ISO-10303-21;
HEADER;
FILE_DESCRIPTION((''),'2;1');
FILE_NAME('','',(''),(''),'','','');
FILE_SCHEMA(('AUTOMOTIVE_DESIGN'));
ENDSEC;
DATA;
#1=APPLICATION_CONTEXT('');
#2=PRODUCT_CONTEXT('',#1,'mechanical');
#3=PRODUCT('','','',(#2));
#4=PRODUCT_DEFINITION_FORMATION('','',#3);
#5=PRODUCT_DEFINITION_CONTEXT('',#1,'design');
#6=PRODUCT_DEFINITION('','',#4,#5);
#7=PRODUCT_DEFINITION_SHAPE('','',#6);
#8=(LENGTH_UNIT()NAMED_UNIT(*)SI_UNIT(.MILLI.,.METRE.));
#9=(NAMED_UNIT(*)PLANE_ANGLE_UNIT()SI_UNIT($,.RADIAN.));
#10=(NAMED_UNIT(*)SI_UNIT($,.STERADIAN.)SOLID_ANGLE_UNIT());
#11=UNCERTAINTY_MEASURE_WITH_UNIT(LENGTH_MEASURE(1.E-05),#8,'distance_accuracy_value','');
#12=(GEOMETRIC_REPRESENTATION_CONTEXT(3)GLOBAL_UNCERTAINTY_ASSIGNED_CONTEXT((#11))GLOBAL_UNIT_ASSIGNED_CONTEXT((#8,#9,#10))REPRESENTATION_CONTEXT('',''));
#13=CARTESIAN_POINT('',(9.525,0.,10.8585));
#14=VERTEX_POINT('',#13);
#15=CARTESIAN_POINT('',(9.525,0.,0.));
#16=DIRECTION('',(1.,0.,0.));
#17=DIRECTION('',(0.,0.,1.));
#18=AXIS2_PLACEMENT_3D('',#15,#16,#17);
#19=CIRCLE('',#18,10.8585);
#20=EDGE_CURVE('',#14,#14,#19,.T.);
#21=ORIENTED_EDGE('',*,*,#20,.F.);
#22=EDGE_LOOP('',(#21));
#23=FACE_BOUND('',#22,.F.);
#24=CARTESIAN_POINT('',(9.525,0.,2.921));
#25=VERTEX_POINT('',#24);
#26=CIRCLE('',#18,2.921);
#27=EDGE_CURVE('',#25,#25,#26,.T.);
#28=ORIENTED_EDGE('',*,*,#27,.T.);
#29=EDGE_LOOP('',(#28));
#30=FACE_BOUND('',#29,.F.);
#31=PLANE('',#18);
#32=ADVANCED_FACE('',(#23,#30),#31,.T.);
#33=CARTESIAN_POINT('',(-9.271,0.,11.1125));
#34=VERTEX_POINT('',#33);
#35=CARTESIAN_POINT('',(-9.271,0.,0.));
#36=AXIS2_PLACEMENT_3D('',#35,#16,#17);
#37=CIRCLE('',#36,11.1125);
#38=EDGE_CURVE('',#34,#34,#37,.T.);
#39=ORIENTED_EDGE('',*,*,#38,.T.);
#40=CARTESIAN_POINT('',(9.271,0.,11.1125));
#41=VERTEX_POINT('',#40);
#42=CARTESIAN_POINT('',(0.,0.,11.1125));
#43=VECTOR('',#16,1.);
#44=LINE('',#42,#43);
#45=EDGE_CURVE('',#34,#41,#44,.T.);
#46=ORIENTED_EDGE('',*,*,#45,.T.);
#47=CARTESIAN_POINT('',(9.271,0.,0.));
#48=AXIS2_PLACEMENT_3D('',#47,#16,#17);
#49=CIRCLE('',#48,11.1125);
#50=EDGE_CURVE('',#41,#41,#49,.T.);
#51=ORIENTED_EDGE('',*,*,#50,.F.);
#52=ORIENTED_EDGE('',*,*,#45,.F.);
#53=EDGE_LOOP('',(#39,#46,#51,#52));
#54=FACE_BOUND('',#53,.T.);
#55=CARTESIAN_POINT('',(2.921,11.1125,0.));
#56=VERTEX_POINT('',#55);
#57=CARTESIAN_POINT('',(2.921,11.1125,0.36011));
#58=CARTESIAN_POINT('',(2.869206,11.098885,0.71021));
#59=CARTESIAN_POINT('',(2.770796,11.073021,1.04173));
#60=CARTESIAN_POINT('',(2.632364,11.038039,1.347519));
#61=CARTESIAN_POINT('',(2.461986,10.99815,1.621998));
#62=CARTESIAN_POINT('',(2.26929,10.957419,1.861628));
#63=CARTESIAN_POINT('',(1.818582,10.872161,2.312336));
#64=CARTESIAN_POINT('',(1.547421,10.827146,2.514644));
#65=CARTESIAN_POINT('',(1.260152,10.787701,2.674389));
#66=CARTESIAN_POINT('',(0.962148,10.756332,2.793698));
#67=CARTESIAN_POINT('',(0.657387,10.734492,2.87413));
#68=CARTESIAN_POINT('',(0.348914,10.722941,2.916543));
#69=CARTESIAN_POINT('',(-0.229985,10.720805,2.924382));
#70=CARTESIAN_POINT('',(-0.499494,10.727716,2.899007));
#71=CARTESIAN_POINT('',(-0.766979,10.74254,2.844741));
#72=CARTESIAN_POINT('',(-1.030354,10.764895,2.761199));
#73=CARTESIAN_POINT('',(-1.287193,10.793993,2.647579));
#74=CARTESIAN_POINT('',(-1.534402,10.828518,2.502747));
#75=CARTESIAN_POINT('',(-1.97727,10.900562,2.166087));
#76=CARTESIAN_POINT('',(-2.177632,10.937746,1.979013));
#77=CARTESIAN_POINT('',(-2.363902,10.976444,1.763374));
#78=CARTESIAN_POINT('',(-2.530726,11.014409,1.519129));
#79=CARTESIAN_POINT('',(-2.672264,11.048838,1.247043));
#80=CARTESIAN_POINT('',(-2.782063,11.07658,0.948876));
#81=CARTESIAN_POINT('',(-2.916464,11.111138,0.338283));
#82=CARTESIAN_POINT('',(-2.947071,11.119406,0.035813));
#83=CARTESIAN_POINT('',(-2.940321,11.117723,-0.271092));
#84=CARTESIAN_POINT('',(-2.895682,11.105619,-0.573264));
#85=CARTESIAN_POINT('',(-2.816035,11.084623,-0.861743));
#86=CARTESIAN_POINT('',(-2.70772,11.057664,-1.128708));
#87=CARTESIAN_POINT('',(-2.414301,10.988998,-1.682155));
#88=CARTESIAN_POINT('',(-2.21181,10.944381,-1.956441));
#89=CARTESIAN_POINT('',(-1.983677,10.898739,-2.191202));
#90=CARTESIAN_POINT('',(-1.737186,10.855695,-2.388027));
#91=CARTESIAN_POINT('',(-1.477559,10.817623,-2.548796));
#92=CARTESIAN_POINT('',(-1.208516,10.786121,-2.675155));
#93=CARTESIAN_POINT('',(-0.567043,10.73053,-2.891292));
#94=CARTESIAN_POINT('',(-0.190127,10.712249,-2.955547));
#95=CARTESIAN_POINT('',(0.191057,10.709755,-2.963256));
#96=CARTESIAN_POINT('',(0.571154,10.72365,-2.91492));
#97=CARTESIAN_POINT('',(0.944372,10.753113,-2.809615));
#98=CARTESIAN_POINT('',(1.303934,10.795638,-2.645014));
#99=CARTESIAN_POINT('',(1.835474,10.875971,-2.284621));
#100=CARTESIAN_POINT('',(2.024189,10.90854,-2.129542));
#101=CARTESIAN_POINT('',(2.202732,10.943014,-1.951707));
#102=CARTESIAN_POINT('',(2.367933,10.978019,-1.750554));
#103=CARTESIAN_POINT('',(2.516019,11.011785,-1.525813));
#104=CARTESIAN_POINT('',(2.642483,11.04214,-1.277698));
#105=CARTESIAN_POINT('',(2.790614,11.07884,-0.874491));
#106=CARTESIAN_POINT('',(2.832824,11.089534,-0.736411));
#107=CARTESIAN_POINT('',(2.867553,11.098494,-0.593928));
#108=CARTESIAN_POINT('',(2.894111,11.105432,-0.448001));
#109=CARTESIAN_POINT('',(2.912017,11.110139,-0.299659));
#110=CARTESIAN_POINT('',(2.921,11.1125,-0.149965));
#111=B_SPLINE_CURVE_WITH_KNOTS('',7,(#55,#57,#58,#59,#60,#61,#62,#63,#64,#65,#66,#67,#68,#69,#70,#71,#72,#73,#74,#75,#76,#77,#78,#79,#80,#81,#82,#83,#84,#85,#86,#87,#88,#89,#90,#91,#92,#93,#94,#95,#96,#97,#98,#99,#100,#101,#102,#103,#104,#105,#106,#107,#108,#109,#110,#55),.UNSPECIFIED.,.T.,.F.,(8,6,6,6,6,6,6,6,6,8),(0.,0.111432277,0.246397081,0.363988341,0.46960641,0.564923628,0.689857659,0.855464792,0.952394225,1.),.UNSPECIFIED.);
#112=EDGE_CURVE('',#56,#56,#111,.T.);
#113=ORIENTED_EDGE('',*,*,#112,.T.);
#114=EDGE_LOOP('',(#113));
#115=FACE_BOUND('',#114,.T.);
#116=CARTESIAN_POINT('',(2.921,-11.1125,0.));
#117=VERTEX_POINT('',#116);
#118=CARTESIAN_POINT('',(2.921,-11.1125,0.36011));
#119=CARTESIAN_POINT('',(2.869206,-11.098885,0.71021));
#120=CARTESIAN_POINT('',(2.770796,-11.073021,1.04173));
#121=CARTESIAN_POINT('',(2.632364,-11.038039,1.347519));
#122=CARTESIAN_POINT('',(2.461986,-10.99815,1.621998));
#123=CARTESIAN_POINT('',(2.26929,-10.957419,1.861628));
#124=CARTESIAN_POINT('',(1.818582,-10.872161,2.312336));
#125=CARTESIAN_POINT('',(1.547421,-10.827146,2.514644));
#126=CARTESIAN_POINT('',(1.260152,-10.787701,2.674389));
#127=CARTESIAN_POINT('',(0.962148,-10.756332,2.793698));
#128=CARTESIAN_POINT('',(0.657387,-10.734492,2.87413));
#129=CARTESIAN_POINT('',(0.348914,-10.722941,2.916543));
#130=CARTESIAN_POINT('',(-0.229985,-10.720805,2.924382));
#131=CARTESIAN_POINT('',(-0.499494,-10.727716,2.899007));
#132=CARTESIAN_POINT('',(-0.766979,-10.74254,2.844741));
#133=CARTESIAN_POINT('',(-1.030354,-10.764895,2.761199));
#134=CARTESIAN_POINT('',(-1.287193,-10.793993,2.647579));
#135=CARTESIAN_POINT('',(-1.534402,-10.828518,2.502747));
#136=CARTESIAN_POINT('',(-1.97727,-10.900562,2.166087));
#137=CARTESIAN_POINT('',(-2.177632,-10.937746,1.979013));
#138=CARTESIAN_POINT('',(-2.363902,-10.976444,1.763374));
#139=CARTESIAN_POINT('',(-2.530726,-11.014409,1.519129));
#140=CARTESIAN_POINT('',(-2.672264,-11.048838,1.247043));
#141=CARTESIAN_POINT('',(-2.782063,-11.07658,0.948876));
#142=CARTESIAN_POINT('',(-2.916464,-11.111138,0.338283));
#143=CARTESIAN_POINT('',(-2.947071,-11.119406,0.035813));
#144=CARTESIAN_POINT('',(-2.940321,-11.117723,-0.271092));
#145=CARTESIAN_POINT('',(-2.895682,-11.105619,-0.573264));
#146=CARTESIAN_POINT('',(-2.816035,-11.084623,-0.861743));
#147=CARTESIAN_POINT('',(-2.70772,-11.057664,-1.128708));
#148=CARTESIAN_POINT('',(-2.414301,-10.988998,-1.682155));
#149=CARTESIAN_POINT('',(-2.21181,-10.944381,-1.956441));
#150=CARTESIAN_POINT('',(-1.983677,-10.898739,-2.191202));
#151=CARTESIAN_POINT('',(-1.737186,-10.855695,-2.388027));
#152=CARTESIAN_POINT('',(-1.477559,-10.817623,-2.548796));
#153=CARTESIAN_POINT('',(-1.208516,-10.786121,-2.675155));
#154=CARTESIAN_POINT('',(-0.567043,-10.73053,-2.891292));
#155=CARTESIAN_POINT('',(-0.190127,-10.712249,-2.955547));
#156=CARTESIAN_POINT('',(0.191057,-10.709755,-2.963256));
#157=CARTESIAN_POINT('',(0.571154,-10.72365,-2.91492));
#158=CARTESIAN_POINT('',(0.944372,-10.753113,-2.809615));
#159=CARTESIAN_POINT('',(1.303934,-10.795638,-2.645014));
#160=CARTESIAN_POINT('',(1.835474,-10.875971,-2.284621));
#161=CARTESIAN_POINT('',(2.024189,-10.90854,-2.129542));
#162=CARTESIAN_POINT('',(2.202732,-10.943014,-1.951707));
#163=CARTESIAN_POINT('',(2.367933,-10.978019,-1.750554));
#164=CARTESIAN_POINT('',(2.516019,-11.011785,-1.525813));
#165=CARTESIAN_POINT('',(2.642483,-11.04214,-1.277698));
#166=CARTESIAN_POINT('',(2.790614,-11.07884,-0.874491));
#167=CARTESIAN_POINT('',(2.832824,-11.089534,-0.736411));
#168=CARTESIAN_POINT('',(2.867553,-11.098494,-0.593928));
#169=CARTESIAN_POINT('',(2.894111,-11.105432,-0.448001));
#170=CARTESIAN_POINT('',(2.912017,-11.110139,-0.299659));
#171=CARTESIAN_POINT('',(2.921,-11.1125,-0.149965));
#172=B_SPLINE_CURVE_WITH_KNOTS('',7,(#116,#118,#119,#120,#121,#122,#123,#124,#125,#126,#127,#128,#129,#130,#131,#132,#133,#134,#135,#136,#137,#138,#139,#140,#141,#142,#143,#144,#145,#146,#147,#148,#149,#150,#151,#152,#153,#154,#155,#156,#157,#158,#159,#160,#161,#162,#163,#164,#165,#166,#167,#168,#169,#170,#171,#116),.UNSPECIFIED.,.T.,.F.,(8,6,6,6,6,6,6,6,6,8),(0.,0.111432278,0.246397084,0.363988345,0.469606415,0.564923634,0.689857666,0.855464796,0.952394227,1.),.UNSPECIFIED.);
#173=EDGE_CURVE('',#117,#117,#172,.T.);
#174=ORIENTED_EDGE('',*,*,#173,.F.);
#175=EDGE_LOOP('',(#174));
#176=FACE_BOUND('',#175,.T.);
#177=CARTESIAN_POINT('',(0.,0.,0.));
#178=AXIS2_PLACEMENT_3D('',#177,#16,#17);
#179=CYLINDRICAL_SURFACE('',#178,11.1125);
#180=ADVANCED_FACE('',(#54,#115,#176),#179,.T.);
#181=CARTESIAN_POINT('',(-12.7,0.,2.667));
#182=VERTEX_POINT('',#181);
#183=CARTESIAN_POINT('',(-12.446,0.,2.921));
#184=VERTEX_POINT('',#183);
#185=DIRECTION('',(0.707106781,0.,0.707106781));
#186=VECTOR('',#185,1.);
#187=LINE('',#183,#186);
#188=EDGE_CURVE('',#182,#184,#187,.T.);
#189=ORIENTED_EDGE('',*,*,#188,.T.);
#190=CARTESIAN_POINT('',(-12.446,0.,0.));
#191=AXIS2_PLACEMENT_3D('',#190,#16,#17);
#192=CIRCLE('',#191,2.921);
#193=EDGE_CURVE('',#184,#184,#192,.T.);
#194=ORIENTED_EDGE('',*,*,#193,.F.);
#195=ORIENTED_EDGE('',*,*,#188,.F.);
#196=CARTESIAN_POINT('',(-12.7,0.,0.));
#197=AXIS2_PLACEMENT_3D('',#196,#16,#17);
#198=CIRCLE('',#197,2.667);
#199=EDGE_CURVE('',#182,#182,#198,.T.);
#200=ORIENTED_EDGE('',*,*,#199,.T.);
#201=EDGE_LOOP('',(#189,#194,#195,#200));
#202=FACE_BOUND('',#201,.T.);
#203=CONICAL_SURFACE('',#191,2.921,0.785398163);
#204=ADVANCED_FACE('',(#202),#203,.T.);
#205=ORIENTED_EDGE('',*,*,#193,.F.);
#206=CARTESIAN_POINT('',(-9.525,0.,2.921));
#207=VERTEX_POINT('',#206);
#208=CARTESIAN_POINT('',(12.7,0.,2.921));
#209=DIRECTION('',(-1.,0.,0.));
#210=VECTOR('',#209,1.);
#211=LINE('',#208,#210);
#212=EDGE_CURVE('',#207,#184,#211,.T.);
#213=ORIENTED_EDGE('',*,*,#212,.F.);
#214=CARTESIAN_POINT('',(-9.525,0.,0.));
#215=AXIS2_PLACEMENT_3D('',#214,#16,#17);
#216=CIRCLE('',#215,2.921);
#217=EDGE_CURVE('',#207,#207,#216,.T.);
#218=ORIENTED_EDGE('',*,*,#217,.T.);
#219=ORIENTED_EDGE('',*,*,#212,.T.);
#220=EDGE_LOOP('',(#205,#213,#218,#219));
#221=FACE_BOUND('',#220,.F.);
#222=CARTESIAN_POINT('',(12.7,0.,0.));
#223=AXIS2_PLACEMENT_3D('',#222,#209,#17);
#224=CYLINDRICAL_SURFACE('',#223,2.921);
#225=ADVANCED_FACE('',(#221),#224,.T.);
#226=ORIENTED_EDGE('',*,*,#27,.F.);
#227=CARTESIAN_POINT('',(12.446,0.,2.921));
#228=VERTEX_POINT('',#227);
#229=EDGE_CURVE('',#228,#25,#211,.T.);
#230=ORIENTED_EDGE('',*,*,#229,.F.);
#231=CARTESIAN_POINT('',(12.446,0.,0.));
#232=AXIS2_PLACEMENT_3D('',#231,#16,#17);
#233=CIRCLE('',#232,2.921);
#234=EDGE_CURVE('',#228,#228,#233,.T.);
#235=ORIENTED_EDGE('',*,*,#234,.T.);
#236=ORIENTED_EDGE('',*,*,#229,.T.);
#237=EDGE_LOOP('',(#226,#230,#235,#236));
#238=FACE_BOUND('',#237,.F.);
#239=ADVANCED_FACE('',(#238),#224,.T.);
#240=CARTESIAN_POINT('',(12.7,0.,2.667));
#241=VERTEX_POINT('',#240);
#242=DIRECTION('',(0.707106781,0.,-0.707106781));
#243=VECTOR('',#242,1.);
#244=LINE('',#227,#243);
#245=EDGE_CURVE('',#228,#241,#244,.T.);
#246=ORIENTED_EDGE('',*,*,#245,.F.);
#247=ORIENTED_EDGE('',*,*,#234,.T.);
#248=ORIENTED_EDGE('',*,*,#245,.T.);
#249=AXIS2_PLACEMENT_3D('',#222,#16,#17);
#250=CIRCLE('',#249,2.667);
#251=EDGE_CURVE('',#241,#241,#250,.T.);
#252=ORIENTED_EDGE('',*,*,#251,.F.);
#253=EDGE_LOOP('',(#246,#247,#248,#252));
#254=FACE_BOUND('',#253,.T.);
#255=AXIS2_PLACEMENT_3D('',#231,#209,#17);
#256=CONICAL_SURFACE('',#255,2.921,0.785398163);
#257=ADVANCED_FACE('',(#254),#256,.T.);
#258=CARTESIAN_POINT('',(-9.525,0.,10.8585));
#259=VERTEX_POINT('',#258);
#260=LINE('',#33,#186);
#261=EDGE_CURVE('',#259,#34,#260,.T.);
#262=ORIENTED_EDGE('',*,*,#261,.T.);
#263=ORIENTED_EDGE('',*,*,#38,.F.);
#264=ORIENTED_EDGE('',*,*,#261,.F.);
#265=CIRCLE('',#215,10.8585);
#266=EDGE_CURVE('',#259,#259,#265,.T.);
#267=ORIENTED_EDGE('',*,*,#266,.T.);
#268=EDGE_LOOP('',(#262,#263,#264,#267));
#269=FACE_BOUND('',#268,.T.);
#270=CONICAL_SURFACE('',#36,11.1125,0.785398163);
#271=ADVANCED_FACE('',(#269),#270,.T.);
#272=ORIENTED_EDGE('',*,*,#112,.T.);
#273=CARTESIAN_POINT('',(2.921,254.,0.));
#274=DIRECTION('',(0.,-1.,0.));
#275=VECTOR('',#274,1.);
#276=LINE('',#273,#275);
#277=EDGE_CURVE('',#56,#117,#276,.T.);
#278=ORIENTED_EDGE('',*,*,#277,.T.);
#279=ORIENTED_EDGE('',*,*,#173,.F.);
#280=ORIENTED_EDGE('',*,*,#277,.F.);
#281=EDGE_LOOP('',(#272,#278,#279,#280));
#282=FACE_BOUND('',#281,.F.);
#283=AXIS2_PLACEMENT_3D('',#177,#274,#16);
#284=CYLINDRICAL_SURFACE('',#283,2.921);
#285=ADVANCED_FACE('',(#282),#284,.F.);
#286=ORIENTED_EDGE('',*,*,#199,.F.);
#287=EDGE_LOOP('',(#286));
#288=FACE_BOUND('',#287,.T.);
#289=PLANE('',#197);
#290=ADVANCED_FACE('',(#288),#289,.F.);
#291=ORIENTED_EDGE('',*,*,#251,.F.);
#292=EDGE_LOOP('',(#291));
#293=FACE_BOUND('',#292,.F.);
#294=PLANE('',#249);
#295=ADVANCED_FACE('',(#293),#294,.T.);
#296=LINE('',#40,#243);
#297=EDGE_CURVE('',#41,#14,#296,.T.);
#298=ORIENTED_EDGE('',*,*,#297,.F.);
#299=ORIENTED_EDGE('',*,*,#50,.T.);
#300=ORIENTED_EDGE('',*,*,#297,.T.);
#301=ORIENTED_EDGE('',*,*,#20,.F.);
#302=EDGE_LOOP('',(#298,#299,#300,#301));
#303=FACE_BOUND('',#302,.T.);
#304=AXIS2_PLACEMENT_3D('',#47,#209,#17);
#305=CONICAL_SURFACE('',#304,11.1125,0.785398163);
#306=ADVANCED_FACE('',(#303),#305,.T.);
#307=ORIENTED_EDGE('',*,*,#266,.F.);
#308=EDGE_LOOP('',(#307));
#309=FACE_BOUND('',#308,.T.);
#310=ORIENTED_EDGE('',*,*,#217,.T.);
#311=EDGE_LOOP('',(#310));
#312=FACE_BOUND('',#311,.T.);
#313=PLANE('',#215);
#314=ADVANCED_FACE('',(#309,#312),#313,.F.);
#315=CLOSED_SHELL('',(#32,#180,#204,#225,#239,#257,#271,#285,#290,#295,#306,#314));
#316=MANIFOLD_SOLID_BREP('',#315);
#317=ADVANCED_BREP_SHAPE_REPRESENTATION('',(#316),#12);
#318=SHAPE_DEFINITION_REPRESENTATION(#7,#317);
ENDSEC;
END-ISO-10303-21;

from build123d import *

# Parameters (mm, degrees)
F0_W     = 3.175
F0_H     = 2.921
F0_W_2   = 19.05
F0_H_2   = 8.1915
F2_R     = 2.921
F3_DEPTH = 254
F4_SIZE  = 0.254


with BuildPart() as f1:
    # F0 (on Front) → F1 (revolve)
    with BuildSketch(Plane.XZ):
        with Locations((-11.1125, 1.4605)):
            Rectangle(F0_W, F0_H)
        with Locations((0, 1.4605)):
            Rectangle(F0_W_2, F0_H)
        with Locations((11.1125, 1.4605)):
            Rectangle(F0_W, F0_H)
        with Locations((0, 7.01675)):
            Rectangle(F0_W_2, F0_H_2)
    revolve(axis=Axis((0, 0, 0), (1, 0, 0)))

    # F2 (on Front) → F3 (cut, symmetric)
    with BuildSketch(Plane.XZ):
        Circle(F2_R)
    extrude(amount=F3_DEPTH, both=True, mode=Mode.SUBTRACT)

    # F4
    f4_edges = [f1.edges().sort_by_distance(p)[0] for p in [
        (-12.7, 0, -2.921),
        (-9.525, 0, -11.1125),
        (9.525, 0, -11.1125),
        (12.7, 0, -2.921),
    ]]
    chamfer(f4_edges, length=F4_SIZE)


solid = f1.part
